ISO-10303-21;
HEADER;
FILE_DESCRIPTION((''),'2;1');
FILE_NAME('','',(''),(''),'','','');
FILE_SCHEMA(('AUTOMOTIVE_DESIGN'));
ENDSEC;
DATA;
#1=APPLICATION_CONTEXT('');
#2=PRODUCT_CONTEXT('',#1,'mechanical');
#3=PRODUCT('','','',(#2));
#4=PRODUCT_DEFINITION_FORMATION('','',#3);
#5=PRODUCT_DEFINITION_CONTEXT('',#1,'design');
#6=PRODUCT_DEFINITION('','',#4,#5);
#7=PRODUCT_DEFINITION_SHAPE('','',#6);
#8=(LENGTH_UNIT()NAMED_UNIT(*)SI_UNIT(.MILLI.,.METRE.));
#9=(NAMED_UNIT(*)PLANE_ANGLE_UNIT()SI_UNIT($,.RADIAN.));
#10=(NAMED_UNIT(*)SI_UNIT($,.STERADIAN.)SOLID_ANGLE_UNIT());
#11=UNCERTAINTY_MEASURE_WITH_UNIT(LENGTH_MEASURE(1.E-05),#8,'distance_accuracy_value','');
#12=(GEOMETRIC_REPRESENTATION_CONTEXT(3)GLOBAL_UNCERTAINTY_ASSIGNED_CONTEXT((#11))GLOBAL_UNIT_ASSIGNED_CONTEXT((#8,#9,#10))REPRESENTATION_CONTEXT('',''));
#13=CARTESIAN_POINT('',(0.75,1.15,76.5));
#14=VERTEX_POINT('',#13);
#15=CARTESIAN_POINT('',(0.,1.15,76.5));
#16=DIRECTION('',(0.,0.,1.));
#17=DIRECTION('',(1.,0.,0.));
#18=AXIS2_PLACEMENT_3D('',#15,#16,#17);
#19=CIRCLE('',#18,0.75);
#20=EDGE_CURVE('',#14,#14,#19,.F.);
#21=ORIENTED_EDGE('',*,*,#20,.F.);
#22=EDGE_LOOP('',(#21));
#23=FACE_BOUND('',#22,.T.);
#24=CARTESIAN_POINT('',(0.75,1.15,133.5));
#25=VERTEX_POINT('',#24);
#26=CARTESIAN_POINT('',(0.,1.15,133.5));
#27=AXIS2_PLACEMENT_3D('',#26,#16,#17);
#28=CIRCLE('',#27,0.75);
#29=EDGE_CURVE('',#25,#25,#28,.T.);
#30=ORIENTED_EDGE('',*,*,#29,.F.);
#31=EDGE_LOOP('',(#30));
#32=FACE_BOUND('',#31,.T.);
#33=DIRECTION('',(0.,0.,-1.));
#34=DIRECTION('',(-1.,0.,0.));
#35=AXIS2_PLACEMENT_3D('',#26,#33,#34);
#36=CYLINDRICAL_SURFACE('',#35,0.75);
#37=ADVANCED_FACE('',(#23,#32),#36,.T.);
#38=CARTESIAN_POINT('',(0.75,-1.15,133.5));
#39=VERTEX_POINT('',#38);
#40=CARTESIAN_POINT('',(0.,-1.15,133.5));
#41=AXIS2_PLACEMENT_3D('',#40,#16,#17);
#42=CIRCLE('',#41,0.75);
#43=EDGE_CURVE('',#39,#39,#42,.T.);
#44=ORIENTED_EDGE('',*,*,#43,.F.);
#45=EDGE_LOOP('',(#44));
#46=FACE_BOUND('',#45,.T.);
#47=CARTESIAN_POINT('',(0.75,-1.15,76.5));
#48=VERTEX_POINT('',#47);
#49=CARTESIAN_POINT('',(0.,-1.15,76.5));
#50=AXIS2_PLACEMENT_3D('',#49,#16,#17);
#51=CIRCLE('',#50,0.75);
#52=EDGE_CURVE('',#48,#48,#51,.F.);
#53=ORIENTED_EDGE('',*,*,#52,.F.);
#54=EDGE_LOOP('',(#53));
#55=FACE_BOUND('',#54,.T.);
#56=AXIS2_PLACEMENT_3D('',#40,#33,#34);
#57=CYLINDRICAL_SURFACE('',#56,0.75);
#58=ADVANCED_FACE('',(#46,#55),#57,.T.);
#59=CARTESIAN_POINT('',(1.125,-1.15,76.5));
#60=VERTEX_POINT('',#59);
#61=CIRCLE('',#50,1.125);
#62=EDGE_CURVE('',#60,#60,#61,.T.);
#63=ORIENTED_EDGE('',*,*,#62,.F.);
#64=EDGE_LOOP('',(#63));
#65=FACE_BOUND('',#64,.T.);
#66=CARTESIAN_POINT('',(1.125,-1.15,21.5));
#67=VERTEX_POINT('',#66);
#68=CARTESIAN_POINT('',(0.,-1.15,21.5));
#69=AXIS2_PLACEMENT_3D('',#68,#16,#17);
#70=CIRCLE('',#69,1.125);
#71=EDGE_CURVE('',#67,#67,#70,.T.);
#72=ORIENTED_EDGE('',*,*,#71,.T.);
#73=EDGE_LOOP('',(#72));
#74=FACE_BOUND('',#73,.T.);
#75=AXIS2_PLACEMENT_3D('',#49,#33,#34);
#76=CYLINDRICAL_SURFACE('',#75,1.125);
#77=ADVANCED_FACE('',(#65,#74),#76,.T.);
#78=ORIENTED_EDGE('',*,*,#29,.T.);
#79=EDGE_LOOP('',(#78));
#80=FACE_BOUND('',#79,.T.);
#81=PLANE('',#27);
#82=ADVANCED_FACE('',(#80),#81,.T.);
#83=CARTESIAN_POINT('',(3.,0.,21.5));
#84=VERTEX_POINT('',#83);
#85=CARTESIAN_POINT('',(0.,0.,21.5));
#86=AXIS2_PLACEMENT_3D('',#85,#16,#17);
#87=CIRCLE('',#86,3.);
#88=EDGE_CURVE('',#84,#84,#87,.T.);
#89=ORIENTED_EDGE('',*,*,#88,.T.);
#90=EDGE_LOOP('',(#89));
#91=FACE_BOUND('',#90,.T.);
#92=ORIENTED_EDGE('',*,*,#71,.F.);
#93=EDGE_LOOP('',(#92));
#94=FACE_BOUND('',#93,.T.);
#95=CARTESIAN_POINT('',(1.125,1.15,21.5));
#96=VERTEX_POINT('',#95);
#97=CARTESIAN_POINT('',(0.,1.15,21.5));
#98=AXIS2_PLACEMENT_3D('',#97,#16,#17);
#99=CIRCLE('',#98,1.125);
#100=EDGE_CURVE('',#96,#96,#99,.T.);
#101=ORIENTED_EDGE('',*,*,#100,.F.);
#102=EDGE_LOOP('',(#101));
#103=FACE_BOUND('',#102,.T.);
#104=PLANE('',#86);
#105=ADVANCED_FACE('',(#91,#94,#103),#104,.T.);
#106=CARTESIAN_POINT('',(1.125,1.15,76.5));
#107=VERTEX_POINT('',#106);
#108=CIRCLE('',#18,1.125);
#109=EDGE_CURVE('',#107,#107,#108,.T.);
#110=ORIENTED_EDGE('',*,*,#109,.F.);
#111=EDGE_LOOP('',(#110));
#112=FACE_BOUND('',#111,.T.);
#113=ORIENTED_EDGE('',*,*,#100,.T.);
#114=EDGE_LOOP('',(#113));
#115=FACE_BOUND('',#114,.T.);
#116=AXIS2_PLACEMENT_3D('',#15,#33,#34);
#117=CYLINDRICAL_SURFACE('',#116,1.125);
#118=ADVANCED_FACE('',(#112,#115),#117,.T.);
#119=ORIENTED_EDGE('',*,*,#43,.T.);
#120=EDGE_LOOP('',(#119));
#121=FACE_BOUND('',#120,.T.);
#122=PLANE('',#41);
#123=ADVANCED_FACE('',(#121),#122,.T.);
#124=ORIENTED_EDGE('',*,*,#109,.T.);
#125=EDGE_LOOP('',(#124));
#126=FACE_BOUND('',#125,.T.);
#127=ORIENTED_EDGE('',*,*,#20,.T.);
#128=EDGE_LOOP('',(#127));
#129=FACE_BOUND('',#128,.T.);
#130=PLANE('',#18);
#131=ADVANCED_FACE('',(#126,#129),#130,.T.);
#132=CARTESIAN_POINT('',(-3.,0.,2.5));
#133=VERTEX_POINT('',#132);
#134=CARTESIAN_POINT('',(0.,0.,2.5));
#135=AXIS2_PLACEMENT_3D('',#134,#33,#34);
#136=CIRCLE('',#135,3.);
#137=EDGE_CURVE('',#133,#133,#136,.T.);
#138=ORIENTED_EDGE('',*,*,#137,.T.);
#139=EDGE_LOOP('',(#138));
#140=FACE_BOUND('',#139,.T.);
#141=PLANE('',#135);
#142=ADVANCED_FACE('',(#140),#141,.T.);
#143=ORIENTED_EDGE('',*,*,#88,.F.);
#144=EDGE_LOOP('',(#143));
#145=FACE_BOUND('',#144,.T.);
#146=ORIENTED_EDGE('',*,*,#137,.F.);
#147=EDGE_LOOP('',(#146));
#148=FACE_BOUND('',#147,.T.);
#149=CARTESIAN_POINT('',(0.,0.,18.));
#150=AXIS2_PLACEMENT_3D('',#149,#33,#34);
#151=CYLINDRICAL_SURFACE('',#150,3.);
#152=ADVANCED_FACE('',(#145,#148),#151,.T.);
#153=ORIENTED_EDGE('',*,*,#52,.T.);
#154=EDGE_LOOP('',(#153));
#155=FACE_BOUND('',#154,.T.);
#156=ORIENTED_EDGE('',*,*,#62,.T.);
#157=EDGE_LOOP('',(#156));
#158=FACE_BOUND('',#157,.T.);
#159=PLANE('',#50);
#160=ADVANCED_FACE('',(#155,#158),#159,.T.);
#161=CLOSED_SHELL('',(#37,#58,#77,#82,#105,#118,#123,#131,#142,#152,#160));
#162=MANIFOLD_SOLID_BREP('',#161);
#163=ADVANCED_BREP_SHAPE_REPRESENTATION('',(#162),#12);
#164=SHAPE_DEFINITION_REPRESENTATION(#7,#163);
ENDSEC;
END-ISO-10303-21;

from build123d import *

# Parameters (mm, degrees)
CROQUIS1_R                   = 3
SALIENTE_EXTRUIR1_DEPTH      = 18
SALIENTE_EXTRUIR2_DEPTH      = 21.5
SALIENTE_EXTRUIR2_DEPTH_BACK = 1.5
CROQUIS1_2_R                 = 3
CROQUIS3_R                   = 3
CORTAR_EXTRUIR1_DEPTH        = 4
CROQUIS9_R                   = 1.125
SALIENTE_EXTRUIR3_DEPTH      = 55
CROQUIS10_R                  = 0.75
SALIENTE_EXTRUIR4_DEPTH      = 112


with BuildPart() as part:
    # Croquis1 → Saliente-Extruir1 (new body)
    with BuildSketch(Plane.XY):
        Circle(CROQUIS1_R)
    extrude(amount=SALIENTE_EXTRUIR1_DEPTH)

    # Croquis1<2> → Saliente-Extruir2 (add, two sides: drawn at the far end of the back side and taken through both)
    with BuildSketch(Plane.XY.offset(-SALIENTE_EXTRUIR2_DEPTH_BACK)):
        Circle(CROQUIS1_2_R)
    extrude(amount=SALIENTE_EXTRUIR2_DEPTH + SALIENTE_EXTRUIR2_DEPTH_BACK)

    # Croquis3 → Cortar-Extruir1 (cut)
    with BuildSketch(Plane(origin=(0, 0, -1.5), x_dir=(-1, 0, 0), z_dir=(0, 0, -1))):
        Circle(CROQUIS3_R)
    extrude(amount=-CORTAR_EXTRUIR1_DEPTH, mode=Mode.SUBTRACT)

    # Croquis9 → Saliente-Extruir3 (add)
    with BuildSketch(Plane.XY.offset(21.5)):
        with Locations((0, -1.15)):
            Circle(CROQUIS9_R)
        with Locations((0, 1.15)):
            Circle(CROQUIS9_R)
    extrude(amount=SALIENTE_EXTRUIR3_DEPTH)

    # Croquis10 → Saliente-Extruir4 (add)
    with BuildSketch(Plane.XY.offset(21.5)):
        with Locations((0, -1.15)):
            Circle(CROQUIS10_R)
        with Locations((0, 1.15)):
            Circle(CROQUIS10_R)
    extrude(amount=SALIENTE_EXTRUIR4_DEPTH)


solid = part.part
